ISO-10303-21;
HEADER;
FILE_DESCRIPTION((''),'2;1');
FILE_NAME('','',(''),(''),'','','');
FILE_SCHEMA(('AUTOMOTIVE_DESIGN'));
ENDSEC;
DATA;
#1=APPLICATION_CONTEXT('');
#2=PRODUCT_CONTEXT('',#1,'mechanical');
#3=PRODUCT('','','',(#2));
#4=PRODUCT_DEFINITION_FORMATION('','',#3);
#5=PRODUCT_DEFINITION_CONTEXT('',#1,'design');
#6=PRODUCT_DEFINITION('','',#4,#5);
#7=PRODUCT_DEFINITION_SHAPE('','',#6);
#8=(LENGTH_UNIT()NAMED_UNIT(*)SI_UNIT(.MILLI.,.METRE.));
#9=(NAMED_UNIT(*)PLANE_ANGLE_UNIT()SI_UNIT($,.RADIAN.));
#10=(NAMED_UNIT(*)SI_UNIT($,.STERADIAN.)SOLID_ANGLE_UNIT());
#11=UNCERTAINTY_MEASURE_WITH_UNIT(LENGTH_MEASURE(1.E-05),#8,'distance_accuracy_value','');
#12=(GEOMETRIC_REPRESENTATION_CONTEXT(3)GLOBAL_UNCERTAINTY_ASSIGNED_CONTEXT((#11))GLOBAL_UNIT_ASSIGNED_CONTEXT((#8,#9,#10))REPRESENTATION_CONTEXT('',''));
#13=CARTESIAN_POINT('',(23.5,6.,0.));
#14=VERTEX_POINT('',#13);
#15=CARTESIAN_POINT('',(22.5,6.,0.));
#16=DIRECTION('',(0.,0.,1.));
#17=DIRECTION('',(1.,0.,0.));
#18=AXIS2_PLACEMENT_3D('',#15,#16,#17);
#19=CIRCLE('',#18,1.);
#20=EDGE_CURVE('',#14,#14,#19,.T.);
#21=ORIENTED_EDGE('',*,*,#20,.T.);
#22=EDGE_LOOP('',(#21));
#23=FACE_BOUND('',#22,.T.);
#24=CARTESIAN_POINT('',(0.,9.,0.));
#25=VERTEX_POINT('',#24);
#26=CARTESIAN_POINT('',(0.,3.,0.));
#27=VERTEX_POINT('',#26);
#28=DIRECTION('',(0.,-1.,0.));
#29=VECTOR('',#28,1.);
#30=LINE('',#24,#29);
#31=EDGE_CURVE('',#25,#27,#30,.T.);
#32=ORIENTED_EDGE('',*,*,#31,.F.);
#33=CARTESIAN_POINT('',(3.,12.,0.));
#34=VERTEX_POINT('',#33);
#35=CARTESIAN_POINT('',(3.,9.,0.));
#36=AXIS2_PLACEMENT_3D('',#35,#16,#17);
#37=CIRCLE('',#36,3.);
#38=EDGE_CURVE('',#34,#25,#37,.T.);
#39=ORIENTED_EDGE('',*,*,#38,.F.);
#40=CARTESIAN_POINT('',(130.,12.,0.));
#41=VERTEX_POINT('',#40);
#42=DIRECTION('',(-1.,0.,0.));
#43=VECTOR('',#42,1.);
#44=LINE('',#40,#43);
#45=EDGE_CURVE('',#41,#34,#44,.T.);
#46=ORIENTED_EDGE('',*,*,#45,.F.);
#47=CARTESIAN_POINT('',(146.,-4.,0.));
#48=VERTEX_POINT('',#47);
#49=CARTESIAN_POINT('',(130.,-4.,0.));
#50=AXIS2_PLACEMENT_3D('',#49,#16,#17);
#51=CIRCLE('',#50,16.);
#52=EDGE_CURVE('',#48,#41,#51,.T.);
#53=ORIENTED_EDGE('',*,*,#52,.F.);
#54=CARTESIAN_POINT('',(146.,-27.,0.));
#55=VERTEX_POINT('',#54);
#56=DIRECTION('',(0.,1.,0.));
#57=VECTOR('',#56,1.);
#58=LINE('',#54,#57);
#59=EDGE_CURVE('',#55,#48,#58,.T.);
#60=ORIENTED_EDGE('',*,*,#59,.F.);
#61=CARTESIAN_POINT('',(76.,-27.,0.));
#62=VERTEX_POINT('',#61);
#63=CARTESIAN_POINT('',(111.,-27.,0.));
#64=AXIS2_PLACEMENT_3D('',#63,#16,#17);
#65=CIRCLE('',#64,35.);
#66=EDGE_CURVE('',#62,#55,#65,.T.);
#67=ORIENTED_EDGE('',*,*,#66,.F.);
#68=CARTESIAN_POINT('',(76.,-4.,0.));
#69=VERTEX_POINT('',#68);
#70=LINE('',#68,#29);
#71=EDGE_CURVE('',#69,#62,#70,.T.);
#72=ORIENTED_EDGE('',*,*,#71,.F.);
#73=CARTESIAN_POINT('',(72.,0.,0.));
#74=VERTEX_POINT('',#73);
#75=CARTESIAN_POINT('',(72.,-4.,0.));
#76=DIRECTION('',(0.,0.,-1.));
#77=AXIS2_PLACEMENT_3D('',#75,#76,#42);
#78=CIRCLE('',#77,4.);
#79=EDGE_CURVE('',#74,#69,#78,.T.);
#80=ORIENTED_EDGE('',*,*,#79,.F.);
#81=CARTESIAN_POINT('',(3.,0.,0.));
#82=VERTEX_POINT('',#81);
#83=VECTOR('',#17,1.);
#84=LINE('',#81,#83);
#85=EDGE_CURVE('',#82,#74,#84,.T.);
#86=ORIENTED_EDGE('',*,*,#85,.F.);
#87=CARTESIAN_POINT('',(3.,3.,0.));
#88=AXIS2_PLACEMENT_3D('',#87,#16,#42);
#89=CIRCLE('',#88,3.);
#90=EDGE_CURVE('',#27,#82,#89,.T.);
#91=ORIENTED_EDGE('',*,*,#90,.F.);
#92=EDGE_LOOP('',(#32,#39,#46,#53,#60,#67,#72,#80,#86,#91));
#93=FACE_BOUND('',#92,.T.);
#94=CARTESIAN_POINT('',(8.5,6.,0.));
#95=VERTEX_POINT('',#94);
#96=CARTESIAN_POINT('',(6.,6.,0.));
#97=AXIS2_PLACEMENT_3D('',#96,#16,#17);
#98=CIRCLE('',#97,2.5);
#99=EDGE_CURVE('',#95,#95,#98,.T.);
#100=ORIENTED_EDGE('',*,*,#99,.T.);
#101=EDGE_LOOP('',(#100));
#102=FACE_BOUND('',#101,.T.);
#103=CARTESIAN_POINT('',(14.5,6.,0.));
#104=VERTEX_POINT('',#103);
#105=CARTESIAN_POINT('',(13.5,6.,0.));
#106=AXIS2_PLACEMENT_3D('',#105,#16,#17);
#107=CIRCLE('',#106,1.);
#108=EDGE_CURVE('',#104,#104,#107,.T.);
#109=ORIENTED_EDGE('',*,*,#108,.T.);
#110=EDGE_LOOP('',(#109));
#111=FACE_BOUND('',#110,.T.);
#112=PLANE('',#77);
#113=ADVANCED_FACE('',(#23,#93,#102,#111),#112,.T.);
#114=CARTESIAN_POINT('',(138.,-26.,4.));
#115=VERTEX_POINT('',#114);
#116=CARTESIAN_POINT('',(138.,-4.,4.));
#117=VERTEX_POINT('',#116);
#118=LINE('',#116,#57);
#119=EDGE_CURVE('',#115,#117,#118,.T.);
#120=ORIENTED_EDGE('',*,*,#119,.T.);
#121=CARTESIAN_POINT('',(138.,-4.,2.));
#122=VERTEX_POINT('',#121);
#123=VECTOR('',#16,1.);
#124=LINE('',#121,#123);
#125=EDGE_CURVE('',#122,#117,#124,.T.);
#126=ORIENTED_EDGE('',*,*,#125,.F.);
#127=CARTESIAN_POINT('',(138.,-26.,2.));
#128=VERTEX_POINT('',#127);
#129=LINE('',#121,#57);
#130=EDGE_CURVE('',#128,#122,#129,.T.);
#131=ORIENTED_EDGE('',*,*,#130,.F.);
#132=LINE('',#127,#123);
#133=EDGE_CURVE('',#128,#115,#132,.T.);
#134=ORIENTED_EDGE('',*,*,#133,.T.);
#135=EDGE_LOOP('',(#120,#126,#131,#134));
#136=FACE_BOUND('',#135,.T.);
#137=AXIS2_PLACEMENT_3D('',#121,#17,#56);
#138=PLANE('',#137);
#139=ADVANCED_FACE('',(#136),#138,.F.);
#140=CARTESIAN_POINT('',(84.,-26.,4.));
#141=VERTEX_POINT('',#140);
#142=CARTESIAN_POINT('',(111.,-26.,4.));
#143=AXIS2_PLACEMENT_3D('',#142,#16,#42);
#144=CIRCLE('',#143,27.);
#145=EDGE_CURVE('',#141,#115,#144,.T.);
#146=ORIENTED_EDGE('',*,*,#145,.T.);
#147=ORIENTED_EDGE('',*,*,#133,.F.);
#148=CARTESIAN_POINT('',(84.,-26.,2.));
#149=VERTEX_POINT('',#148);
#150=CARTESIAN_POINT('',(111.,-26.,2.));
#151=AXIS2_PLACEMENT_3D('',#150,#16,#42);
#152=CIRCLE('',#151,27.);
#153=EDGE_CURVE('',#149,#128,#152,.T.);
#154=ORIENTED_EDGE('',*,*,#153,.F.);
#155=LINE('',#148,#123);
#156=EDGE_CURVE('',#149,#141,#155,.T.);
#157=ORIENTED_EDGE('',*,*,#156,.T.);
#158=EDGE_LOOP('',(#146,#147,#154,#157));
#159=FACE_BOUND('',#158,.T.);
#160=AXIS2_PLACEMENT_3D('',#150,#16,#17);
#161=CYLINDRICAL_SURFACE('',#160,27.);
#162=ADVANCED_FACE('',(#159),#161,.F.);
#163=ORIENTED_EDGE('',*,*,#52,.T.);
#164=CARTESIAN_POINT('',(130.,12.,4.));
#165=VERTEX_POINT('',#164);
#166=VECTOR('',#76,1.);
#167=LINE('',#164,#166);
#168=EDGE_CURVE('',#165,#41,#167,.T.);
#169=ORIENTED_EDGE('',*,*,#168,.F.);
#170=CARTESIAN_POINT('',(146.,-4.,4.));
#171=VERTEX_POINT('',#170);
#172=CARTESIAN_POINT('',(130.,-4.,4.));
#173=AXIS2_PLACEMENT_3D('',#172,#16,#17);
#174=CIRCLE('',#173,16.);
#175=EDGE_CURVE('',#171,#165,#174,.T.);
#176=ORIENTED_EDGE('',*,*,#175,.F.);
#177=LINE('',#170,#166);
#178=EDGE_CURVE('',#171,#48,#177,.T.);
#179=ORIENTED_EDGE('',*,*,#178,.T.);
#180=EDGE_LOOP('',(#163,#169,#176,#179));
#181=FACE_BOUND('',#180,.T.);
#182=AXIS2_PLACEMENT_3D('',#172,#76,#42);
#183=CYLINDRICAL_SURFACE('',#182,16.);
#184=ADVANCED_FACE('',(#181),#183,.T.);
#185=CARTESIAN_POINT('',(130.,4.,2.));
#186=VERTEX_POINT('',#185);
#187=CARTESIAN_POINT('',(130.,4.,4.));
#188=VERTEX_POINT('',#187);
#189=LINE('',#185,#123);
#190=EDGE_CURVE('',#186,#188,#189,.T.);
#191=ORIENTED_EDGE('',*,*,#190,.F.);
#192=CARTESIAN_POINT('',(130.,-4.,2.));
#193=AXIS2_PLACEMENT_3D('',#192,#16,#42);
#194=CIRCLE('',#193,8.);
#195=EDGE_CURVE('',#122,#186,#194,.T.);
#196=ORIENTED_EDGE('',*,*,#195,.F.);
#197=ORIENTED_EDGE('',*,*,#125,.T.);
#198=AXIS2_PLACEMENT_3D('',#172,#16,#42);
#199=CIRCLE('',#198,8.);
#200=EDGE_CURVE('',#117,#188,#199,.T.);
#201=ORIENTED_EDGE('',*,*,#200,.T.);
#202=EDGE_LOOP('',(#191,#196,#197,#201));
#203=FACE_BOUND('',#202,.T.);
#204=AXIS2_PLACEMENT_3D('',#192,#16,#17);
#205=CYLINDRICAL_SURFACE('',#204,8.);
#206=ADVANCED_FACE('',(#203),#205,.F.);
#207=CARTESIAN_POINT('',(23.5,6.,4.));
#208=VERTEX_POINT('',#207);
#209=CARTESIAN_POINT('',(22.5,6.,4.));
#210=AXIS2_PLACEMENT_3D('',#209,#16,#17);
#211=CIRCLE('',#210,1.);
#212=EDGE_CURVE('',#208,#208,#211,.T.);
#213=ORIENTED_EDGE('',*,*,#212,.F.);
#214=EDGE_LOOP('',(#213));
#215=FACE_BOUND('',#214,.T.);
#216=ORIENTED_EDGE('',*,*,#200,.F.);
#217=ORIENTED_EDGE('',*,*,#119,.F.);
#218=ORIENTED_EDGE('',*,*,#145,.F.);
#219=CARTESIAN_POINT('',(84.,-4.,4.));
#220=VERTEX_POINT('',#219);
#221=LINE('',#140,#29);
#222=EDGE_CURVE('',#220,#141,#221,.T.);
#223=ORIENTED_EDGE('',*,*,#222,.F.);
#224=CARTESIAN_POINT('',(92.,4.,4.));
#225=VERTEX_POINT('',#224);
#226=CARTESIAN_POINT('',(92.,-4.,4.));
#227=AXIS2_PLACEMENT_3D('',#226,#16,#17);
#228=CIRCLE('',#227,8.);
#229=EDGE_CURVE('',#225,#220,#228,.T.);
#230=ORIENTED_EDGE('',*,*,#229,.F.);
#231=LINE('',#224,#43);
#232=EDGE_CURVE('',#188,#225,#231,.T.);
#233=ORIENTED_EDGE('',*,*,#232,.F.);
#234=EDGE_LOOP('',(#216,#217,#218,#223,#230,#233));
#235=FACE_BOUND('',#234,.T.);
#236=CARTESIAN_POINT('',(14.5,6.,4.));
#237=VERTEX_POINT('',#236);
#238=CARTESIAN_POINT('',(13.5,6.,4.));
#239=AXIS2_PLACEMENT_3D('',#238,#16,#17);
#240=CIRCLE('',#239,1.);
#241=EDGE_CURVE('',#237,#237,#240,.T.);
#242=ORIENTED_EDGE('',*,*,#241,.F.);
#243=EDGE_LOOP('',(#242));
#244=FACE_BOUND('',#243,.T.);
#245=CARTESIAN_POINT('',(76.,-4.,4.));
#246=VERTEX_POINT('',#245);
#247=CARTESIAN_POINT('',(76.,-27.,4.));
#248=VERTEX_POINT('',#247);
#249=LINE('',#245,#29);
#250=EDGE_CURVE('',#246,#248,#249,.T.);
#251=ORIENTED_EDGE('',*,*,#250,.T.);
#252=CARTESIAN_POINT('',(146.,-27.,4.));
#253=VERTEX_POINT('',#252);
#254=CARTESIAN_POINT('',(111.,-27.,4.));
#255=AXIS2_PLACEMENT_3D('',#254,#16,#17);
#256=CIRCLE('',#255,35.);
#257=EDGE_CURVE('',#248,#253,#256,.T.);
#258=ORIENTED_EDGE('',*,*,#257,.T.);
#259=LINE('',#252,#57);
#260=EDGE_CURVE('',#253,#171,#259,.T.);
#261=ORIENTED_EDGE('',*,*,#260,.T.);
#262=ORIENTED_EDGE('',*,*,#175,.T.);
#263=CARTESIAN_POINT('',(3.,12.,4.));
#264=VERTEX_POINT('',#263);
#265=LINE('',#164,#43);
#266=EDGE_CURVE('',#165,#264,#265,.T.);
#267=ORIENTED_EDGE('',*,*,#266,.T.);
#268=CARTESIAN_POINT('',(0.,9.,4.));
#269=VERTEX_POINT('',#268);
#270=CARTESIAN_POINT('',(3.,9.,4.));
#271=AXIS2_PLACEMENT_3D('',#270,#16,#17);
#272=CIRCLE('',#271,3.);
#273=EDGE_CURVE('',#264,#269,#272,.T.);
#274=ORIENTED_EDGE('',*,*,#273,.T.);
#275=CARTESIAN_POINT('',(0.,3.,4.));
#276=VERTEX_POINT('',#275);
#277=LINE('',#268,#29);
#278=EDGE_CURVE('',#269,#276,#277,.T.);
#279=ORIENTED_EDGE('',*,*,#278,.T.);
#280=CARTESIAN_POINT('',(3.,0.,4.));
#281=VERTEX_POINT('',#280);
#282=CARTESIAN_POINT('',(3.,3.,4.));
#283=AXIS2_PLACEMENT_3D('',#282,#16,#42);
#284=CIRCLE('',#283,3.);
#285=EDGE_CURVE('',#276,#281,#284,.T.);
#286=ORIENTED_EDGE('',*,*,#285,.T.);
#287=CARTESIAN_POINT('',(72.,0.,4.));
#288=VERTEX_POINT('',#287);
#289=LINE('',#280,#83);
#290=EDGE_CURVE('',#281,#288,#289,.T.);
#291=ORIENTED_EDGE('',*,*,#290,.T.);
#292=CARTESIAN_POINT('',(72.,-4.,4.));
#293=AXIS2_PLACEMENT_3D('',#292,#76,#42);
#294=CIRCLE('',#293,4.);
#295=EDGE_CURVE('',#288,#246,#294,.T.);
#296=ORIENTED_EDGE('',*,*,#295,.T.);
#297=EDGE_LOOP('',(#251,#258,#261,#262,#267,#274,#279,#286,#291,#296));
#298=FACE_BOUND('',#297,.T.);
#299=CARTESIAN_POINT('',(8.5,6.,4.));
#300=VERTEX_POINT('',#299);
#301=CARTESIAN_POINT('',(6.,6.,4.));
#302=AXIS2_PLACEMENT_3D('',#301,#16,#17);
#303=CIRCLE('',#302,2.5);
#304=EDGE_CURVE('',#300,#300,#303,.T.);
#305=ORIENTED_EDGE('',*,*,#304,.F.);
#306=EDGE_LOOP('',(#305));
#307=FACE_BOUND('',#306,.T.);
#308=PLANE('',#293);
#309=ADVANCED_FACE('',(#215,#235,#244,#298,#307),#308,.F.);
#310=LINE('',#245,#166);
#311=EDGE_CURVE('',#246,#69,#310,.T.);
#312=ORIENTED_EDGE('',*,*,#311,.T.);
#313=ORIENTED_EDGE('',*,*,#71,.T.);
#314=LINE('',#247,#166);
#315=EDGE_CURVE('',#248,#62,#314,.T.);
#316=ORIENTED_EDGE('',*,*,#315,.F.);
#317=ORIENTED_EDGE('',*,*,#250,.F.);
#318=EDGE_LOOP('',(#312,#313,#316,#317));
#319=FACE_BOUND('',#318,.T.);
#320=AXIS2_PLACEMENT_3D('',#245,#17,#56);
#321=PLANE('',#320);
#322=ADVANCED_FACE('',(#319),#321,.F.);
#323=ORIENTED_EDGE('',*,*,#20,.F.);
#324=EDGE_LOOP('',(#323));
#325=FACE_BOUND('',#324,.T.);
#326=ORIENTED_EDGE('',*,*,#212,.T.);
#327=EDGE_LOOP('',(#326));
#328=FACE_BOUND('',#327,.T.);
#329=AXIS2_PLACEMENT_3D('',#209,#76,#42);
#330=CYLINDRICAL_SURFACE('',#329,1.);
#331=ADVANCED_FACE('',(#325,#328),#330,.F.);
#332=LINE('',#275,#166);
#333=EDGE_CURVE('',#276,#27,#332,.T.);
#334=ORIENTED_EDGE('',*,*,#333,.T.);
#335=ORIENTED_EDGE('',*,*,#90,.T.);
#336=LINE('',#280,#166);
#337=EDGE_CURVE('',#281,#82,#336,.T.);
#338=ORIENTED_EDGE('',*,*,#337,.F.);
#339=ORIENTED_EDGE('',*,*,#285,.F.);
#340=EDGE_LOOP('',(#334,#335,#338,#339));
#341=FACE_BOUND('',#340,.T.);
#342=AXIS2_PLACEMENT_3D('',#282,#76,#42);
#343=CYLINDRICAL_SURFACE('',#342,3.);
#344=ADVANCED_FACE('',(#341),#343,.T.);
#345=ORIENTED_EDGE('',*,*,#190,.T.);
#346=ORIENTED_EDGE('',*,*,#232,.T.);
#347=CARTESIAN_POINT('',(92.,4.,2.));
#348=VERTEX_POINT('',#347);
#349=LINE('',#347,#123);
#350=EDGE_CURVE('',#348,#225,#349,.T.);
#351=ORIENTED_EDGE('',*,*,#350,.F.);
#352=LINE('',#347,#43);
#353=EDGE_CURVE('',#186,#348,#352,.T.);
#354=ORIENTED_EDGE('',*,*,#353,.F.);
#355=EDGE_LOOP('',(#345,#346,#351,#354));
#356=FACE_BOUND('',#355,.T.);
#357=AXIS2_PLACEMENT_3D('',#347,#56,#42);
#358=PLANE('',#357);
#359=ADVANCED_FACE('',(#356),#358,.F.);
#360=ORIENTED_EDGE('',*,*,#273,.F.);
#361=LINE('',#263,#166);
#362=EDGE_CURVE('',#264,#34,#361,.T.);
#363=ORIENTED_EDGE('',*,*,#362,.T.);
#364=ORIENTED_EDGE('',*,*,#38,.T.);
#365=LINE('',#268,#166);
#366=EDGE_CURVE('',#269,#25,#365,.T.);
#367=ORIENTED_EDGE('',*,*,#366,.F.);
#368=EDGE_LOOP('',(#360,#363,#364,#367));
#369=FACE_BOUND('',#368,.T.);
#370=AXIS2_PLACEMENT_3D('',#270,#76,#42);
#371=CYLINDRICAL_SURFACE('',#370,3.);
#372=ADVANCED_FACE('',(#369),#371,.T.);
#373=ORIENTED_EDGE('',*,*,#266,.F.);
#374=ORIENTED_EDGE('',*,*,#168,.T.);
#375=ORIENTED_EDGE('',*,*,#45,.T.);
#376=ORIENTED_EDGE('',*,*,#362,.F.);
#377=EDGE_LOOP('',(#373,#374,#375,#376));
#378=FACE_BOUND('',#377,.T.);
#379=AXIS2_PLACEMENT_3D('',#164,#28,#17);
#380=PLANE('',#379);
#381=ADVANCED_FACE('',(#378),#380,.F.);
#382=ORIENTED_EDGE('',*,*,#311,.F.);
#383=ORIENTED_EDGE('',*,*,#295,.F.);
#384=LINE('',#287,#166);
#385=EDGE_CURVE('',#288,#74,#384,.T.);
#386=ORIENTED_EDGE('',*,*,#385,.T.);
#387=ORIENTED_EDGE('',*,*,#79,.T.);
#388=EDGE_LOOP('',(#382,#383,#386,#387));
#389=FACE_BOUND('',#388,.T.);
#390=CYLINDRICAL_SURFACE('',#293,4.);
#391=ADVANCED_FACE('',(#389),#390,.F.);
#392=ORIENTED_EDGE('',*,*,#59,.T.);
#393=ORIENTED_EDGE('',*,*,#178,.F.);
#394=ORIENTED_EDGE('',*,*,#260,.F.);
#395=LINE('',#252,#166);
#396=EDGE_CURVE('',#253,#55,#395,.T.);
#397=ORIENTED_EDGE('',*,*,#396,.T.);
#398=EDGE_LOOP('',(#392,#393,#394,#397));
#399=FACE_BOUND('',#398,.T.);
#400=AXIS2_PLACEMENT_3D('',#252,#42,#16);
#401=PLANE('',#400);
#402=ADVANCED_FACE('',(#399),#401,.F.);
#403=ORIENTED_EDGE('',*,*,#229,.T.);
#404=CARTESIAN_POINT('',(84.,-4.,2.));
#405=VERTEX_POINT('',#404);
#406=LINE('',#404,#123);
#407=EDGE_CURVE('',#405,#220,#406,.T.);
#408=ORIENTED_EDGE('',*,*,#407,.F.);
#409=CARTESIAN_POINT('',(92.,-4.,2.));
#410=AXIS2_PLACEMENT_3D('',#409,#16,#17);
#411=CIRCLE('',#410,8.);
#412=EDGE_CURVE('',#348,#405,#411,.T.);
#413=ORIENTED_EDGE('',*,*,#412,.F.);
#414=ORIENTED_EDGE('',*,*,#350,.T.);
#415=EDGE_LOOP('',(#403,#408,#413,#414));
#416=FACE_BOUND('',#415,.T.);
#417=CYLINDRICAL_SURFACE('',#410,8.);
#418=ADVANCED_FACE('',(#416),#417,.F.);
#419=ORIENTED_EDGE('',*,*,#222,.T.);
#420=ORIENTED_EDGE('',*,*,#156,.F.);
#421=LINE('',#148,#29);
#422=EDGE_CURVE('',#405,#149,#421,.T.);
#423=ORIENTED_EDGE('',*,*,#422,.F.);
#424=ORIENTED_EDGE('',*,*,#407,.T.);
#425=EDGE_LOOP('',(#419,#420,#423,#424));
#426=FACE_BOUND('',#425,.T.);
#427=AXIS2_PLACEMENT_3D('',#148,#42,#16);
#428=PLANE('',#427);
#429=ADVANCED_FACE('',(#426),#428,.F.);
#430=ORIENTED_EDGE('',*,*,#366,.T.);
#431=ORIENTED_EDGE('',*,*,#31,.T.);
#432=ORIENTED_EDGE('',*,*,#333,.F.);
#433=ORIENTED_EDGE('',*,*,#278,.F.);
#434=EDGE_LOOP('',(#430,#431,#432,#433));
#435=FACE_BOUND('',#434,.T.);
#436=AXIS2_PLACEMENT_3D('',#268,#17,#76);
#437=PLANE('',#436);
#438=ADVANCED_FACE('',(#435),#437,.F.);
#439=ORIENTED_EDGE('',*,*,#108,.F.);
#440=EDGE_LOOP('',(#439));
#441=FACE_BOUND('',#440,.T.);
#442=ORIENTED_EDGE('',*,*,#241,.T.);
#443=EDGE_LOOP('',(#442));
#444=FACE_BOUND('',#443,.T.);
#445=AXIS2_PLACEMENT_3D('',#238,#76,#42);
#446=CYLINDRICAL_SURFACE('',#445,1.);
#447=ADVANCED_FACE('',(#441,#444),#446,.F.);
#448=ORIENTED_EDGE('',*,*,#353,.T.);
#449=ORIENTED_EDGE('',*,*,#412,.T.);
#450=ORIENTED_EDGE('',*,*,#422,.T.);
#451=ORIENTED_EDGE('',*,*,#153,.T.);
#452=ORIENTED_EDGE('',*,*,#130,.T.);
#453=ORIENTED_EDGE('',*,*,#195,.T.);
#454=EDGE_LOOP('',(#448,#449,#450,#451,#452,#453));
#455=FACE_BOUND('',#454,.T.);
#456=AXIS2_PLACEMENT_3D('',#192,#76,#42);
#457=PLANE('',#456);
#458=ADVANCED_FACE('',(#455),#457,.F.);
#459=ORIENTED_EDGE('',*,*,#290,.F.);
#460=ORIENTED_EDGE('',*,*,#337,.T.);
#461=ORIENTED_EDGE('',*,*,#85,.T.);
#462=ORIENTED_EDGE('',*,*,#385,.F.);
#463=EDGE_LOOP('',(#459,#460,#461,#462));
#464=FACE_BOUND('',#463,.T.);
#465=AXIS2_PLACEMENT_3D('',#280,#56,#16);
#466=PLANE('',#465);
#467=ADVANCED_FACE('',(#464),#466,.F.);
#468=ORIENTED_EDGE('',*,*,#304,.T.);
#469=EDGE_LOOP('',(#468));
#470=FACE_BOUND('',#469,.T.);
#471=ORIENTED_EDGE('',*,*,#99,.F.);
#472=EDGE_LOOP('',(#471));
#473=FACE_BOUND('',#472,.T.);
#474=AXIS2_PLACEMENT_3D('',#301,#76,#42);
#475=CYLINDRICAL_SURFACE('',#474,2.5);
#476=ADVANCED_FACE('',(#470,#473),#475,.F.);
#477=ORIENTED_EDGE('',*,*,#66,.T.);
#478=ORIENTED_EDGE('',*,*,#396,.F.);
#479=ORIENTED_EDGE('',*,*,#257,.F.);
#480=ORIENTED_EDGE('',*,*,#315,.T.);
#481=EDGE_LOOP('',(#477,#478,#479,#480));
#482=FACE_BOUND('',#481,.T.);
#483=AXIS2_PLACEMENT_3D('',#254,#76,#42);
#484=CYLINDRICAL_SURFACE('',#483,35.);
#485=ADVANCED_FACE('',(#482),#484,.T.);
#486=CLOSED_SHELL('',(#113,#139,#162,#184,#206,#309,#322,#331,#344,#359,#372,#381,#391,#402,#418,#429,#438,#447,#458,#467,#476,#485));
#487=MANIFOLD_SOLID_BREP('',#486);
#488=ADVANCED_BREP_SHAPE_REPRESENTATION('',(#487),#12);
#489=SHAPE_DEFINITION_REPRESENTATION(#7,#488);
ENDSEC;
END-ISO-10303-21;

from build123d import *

# Parameters (mm, degrees)
SKETCH_1_R          = 2.5
SKETCH_1_R_2        = 1
EXTRUDE_1_DEPTH     = 4
CUT_EXTRUDE_1_DEPTH = 2


with BuildPart() as part:
    # Эскиз1 → Бобышка-Вытянуть1 (new body)
    with BuildSketch(Plane.XY):
        with BuildLine():
            Line((3, 0), (72, 0))
            ThreePointArc((72, 0), (74.828427125, -1.171572875), (76, -4))
            Line((76, -4), (76, -27))
            ThreePointArc((76, -27), (111, -62), (146, -27))
            Line((146, -27), (146, -4))
            ThreePointArc((146, -4), (141.313708499, 7.313708499), (130, 12))
            Line((130, 12), (3, 12))
            ThreePointArc((3, 12), (0.878679656, 11.121320344), (0, 9))
            Line((0, 9), (0, 3))
            ThreePointArc((0, 3), (0.878679656, 0.878679656), (3, 0))
        make_face()
        with Locations((6, 6)):
            Circle(SKETCH_1_R, mode=Mode.SUBTRACT)
        with Locations((13.5, 6)):
            Circle(SKETCH_1_R_2, mode=Mode.SUBTRACT)
        with Locations((22.5, 6)):
            Circle(SKETCH_1_R_2, mode=Mode.SUBTRACT)
    extrude(amount=EXTRUDE_1_DEPTH)

    # Эскиз2 → Вырез-Вытянуть1 (cut)
    with BuildSketch(Plane.XY.offset(4)):
        with BuildLine():
            Line((92, 4), (130, 4))
            ThreePointArc((130, 4), (135.656854249, 1.656854249), (138, -4))
            Line((138, -4), (138, -26))
            ThreePointArc((138, -26), (111, -53), (84, -26))
            Line((84, -26), (84, -4))
            ThreePointArc((84, -4), (86.343145751, 1.656854249), (92, 4))
        make_face()
    extrude(amount=-CUT_EXTRUDE_1_DEPTH, mode=Mode.SUBTRACT)


solid = part.part
